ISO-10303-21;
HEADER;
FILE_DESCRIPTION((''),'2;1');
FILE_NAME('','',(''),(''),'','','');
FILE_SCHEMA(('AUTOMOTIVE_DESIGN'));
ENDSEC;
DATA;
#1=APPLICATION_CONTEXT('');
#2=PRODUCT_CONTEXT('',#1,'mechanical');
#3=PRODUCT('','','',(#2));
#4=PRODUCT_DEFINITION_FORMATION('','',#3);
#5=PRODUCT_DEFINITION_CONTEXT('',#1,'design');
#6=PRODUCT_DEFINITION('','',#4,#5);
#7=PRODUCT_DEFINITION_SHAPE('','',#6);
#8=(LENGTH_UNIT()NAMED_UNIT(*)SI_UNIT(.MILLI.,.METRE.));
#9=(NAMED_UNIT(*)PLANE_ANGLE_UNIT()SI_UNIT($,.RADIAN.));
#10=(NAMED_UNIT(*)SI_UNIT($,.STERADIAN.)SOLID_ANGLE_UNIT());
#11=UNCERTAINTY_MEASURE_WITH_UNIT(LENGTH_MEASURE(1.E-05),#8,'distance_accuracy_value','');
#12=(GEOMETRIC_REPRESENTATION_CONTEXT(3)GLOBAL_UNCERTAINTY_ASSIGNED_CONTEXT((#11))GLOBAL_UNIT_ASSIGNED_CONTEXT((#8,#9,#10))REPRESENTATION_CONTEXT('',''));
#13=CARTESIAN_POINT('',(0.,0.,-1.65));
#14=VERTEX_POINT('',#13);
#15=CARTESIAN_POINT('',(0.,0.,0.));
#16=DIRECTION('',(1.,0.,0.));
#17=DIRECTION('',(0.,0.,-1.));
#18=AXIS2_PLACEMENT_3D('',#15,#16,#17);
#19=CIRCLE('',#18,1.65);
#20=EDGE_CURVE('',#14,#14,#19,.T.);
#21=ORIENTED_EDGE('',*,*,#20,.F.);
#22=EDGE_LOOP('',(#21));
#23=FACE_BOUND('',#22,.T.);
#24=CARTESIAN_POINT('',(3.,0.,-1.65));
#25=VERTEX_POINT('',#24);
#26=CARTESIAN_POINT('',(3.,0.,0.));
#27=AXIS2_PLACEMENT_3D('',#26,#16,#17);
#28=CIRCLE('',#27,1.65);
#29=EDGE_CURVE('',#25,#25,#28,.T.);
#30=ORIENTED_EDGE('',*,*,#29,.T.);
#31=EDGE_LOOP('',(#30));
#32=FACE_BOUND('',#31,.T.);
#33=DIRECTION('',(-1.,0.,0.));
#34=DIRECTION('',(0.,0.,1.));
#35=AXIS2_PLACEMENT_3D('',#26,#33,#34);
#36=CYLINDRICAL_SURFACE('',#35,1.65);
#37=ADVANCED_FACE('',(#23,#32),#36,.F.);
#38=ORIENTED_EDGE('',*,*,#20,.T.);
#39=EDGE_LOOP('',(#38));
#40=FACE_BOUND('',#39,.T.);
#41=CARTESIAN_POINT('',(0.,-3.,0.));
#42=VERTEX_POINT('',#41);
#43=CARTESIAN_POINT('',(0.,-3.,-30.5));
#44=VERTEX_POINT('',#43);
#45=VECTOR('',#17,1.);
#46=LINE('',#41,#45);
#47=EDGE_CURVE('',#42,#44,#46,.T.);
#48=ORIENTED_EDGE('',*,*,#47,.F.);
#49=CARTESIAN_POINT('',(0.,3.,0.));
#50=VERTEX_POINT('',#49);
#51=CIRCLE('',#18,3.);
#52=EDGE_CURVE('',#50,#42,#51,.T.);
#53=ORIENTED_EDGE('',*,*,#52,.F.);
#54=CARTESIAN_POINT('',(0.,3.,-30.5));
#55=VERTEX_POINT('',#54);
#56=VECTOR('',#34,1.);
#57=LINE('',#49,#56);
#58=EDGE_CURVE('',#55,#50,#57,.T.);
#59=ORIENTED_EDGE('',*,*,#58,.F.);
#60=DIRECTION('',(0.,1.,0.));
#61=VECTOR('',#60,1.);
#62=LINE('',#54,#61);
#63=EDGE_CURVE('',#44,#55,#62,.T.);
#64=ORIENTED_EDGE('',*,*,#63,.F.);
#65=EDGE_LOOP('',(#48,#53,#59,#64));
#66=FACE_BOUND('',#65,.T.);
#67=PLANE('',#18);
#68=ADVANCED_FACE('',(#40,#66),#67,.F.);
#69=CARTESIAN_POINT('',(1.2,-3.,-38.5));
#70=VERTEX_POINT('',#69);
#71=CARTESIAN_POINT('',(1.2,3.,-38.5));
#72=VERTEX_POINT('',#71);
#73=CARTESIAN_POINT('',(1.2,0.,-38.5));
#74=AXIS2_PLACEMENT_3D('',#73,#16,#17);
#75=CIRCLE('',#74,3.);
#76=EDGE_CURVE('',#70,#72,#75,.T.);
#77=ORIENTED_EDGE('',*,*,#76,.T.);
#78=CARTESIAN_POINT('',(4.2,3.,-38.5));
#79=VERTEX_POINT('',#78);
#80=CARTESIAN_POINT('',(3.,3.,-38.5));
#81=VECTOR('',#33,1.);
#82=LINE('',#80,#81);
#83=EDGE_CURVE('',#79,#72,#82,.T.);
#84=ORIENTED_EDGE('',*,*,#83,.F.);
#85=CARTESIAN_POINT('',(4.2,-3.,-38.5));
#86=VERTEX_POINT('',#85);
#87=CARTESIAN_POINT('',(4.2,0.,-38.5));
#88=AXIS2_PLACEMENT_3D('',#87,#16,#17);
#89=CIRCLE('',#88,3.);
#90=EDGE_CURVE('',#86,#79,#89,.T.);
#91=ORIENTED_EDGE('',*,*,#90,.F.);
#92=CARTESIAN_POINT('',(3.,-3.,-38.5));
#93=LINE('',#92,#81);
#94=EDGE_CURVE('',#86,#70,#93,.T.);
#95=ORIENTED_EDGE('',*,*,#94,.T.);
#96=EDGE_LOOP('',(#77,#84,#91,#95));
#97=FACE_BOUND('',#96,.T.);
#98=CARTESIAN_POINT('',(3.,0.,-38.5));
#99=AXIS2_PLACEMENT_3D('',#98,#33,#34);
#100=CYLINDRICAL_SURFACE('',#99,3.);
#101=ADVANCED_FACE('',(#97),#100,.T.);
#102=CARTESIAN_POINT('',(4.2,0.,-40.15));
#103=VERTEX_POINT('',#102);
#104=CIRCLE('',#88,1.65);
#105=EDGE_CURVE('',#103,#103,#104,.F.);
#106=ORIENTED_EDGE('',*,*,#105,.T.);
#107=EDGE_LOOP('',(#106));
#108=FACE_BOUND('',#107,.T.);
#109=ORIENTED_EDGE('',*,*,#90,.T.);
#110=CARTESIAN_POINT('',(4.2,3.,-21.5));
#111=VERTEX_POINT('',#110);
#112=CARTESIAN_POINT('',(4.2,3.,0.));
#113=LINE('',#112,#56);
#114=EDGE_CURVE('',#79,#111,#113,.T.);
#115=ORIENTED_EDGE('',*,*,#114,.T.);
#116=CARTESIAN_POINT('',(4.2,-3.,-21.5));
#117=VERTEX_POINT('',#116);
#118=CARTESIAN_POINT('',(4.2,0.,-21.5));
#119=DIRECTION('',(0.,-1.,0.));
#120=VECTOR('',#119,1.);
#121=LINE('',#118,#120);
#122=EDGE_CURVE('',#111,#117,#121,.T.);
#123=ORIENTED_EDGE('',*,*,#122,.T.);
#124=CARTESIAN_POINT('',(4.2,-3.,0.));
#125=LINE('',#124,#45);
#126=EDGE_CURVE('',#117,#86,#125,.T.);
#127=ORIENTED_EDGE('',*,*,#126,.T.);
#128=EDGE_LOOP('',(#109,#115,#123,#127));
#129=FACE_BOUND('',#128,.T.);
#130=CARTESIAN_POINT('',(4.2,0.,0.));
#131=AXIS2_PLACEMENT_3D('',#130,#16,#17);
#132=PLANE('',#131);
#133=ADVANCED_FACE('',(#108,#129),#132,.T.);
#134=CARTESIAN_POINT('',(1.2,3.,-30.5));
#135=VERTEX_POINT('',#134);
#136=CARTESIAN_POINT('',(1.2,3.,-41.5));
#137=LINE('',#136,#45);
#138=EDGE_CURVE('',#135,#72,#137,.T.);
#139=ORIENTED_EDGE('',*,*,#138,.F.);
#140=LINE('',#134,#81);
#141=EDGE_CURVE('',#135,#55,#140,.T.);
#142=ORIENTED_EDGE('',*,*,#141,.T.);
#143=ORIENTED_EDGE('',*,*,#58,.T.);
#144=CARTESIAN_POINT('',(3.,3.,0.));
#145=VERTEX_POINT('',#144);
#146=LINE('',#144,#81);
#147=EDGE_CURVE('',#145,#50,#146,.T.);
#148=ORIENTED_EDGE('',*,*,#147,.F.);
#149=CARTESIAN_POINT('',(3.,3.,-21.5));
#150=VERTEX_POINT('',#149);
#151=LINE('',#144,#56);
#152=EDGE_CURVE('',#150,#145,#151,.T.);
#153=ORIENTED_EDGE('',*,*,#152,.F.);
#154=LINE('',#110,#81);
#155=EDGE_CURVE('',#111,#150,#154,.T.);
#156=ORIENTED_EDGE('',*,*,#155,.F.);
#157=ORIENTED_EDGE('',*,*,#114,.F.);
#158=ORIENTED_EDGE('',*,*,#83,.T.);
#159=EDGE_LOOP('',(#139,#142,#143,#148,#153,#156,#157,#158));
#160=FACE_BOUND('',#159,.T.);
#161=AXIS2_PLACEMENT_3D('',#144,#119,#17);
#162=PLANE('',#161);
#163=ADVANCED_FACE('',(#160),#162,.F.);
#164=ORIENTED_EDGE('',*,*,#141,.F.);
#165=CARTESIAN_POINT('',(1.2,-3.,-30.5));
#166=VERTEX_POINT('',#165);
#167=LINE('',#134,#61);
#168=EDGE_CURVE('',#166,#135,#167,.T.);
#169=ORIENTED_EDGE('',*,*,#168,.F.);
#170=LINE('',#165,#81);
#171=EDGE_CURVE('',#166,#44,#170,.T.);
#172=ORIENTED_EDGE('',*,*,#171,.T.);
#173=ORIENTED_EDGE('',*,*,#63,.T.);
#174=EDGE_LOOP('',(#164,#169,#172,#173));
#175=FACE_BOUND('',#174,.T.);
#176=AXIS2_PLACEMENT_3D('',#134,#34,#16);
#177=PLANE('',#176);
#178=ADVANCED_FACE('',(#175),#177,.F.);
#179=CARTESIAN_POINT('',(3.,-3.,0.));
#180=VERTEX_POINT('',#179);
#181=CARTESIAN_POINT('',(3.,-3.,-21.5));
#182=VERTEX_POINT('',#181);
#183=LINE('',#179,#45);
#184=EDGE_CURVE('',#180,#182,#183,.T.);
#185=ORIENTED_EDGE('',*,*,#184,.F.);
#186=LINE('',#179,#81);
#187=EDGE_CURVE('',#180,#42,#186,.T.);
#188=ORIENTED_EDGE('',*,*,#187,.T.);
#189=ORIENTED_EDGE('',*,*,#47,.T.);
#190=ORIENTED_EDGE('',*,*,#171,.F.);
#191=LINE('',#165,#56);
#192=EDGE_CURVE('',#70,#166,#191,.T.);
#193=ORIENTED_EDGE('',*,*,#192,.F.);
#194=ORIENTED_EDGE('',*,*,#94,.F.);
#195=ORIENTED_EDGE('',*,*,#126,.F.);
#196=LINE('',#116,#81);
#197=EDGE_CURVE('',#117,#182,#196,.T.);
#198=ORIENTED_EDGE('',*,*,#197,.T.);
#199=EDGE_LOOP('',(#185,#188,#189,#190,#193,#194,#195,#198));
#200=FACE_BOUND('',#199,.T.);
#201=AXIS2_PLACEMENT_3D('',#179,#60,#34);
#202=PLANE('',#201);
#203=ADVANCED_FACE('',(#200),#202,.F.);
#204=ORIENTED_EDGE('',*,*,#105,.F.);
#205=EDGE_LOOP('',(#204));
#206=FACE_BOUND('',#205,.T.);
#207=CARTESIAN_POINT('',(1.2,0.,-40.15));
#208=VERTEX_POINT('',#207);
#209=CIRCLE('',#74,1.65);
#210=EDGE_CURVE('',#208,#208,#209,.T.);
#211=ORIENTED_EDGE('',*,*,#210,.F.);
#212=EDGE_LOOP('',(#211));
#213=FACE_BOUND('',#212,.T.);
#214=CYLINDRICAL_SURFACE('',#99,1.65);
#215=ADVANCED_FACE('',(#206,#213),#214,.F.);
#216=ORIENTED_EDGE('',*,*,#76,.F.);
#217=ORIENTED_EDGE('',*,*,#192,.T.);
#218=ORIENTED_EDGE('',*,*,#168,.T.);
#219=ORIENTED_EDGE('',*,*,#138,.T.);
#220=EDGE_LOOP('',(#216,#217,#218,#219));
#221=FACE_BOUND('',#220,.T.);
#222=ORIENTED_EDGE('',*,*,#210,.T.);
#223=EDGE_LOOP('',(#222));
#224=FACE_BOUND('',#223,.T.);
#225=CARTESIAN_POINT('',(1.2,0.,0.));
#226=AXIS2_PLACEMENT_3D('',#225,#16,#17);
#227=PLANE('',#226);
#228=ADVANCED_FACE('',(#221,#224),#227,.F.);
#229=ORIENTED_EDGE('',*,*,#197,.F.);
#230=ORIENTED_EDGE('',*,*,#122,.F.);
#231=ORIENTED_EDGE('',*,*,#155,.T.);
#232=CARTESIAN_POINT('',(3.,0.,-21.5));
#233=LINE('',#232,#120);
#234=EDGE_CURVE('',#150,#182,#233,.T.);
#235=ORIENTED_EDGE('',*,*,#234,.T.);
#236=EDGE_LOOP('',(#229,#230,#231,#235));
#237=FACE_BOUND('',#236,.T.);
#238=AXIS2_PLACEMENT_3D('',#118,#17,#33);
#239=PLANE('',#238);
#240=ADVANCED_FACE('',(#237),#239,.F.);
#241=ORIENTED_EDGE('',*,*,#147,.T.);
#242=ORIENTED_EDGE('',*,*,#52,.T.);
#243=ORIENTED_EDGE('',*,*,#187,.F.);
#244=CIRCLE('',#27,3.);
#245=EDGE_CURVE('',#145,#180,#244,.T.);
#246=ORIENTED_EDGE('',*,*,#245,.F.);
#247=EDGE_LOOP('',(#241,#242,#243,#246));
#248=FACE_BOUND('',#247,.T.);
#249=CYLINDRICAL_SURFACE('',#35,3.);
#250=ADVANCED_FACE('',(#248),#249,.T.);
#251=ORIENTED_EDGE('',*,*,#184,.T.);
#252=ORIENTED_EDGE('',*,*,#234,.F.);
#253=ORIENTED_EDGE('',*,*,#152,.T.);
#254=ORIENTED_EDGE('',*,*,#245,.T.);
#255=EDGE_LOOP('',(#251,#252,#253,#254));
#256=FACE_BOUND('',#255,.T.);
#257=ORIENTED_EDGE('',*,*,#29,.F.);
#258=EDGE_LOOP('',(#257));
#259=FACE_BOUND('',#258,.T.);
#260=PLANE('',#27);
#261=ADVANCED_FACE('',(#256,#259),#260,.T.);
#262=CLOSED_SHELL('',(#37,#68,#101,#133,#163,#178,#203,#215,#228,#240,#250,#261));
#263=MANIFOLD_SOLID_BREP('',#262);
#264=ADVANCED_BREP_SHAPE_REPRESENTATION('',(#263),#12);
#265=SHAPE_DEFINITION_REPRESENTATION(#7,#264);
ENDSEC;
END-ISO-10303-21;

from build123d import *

# Parameters (mm, degrees)
SKETCH1_R           = 1.65
BOSS_EXTRUDE1_DEPTH = 3
SKETCH3_W           = 11
SKETCH3_H           = 6
CUT_EXTRUDE2_DEPTH  = 1.2
SKETCH4_R           = 1.65
BOSS_EXTRUDE2_DEPTH = 1.2


with BuildPart() as part:
    # Sketch1 → Boss-Extrude1 (new body)
    with BuildSketch(Plane(origin=(0, 0, 0), x_dir=(0, 0, -1), z_dir=(1, 0, 0))):
        with BuildLine():
            Line((0, 3), (38.5, 3))
            ThreePointArc((38.5, 3), (41.5, 0), (38.5, -3))
            Line((38.5, -3), (0, -3))
            ThreePointArc((0, -3), (-3, 0), (0, 3))
        make_face()
        Circle(SKETCH1_R, mode=Mode.SUBTRACT)
        with Locations((38.5, 0)):
            Circle(SKETCH1_R, mode=Mode.SUBTRACT)
    extrude(amount=BOSS_EXTRUDE1_DEPTH)

    # Sketch3 → Cut-Extrude2 (cut)
    with BuildSketch(Plane.ZY):
        with Locations((-36, 0)):
            Rectangle(SKETCH3_W, SKETCH3_H)
    extrude(amount=-CUT_EXTRUDE2_DEPTH, mode=Mode.SUBTRACT)

    # Sketch4 → Boss-Extrude2 (add)
    with BuildSketch(Plane(origin=(3, 0, 0), x_dir=(0, 0, -1), z_dir=(1, 0, 0))):
        with BuildLine():
            Line((38.5, 3), (21.5, 3))
            Line((21.5, 3), (21.5, -3))
            Line((21.5, -3), (38.5, -3))
            ThreePointArc((38.5, -3), (41.5, 0), (38.5, 3))
        make_face()
        with Locations((38.5, 0)):
            Circle(SKETCH4_R, mode=Mode.SUBTRACT)
    extrude(amount=BOSS_EXTRUDE2_DEPTH)


solid = part.part
